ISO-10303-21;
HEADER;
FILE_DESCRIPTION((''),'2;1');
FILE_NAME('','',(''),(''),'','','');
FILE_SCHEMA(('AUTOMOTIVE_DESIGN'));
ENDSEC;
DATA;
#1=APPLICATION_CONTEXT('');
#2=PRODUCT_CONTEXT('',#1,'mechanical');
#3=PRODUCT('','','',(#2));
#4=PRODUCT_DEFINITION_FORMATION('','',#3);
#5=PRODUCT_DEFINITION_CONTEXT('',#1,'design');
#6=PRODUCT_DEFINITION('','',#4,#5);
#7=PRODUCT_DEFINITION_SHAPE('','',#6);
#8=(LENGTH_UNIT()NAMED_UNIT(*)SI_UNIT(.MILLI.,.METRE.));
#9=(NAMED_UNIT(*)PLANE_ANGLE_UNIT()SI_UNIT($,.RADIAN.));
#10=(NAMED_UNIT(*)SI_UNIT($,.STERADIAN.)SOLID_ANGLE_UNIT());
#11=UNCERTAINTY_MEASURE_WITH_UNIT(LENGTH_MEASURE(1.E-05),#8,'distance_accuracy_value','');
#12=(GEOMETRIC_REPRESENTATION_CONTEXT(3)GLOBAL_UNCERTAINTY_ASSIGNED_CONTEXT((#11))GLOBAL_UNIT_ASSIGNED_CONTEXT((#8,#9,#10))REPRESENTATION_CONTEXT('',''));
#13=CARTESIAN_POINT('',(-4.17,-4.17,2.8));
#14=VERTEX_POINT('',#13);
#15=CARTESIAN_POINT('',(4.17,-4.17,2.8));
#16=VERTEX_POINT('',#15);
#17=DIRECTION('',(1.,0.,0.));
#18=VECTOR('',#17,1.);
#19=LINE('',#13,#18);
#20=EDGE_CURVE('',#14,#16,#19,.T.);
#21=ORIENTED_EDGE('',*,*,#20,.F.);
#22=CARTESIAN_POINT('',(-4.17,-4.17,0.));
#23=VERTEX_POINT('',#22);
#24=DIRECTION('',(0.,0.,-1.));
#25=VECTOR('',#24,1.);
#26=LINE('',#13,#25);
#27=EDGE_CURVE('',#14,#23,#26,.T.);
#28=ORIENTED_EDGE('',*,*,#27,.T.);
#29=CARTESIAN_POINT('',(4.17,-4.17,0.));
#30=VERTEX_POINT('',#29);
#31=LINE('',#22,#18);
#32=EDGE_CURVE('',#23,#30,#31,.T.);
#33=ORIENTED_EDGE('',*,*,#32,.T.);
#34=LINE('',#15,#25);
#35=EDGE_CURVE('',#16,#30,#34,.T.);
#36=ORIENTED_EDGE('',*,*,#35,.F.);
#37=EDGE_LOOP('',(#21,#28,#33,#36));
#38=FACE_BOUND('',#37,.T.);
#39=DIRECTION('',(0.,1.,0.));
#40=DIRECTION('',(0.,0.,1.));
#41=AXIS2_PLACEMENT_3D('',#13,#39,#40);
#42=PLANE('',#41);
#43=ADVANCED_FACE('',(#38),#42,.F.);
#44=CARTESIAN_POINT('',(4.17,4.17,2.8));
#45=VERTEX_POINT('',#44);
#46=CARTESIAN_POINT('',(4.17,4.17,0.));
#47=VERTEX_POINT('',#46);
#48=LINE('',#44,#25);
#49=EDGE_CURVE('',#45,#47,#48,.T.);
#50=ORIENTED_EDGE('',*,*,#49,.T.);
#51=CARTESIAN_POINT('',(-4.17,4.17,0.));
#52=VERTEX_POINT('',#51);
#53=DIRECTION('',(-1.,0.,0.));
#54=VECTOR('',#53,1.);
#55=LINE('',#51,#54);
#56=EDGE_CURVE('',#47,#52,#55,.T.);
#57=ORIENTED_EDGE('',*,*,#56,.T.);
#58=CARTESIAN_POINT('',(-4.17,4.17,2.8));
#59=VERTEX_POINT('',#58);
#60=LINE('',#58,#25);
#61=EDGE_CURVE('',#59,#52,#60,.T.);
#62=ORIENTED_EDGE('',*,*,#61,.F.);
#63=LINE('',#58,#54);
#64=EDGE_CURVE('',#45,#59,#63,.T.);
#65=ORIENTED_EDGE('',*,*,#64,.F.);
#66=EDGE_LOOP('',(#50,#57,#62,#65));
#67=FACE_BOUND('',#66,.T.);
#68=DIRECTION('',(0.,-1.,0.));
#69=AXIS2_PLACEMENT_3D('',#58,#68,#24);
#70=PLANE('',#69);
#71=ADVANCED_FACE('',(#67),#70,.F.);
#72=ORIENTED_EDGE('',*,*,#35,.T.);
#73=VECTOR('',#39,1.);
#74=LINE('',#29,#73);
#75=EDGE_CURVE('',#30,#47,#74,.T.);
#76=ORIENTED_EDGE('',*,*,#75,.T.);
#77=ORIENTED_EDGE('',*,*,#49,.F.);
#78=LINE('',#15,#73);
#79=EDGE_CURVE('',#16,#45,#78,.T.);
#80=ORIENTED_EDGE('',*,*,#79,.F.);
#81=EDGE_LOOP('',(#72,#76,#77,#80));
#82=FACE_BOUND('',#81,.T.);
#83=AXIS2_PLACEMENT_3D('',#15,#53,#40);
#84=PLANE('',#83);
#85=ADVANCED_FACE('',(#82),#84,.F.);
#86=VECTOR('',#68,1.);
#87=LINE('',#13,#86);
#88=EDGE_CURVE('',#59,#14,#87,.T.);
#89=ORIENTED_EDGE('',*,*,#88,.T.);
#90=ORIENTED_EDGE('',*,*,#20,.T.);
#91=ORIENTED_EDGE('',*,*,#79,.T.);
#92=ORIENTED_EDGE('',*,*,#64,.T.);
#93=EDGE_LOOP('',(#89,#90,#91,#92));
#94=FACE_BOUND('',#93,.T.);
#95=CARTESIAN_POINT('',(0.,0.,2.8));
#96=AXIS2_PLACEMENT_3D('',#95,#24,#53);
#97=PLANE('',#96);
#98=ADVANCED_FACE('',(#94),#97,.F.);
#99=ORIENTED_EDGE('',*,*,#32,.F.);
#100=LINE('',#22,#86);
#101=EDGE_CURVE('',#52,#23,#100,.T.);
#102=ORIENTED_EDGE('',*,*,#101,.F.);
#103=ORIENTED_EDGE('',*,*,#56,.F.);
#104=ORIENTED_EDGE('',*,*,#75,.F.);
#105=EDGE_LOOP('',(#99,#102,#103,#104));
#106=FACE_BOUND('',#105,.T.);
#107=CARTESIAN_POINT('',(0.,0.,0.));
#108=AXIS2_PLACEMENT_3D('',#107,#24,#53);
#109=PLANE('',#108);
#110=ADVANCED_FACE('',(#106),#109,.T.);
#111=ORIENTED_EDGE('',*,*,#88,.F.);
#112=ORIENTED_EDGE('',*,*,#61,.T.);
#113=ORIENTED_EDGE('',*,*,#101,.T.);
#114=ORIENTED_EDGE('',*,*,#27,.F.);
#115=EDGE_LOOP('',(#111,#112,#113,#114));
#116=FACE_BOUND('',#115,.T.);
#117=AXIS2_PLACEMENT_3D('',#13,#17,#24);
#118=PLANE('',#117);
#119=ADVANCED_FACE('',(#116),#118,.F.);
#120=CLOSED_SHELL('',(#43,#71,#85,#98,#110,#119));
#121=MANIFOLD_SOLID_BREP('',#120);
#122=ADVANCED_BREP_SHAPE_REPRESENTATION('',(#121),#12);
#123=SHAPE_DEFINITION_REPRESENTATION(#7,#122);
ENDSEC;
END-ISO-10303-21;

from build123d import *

# Parameters (mm, degrees)
SKETCH1_W      = 8.34
SKETCH1_H      = 8.34
ENVELOPE_DEPTH = 2.8


with BuildPart() as part:
    # Sketch1 → Envelope (new body)
    with BuildSketch(Plane.XY):
        Rectangle(SKETCH1_W, SKETCH1_H)
    extrude(amount=ENVELOPE_DEPTH)


solid = part.part
